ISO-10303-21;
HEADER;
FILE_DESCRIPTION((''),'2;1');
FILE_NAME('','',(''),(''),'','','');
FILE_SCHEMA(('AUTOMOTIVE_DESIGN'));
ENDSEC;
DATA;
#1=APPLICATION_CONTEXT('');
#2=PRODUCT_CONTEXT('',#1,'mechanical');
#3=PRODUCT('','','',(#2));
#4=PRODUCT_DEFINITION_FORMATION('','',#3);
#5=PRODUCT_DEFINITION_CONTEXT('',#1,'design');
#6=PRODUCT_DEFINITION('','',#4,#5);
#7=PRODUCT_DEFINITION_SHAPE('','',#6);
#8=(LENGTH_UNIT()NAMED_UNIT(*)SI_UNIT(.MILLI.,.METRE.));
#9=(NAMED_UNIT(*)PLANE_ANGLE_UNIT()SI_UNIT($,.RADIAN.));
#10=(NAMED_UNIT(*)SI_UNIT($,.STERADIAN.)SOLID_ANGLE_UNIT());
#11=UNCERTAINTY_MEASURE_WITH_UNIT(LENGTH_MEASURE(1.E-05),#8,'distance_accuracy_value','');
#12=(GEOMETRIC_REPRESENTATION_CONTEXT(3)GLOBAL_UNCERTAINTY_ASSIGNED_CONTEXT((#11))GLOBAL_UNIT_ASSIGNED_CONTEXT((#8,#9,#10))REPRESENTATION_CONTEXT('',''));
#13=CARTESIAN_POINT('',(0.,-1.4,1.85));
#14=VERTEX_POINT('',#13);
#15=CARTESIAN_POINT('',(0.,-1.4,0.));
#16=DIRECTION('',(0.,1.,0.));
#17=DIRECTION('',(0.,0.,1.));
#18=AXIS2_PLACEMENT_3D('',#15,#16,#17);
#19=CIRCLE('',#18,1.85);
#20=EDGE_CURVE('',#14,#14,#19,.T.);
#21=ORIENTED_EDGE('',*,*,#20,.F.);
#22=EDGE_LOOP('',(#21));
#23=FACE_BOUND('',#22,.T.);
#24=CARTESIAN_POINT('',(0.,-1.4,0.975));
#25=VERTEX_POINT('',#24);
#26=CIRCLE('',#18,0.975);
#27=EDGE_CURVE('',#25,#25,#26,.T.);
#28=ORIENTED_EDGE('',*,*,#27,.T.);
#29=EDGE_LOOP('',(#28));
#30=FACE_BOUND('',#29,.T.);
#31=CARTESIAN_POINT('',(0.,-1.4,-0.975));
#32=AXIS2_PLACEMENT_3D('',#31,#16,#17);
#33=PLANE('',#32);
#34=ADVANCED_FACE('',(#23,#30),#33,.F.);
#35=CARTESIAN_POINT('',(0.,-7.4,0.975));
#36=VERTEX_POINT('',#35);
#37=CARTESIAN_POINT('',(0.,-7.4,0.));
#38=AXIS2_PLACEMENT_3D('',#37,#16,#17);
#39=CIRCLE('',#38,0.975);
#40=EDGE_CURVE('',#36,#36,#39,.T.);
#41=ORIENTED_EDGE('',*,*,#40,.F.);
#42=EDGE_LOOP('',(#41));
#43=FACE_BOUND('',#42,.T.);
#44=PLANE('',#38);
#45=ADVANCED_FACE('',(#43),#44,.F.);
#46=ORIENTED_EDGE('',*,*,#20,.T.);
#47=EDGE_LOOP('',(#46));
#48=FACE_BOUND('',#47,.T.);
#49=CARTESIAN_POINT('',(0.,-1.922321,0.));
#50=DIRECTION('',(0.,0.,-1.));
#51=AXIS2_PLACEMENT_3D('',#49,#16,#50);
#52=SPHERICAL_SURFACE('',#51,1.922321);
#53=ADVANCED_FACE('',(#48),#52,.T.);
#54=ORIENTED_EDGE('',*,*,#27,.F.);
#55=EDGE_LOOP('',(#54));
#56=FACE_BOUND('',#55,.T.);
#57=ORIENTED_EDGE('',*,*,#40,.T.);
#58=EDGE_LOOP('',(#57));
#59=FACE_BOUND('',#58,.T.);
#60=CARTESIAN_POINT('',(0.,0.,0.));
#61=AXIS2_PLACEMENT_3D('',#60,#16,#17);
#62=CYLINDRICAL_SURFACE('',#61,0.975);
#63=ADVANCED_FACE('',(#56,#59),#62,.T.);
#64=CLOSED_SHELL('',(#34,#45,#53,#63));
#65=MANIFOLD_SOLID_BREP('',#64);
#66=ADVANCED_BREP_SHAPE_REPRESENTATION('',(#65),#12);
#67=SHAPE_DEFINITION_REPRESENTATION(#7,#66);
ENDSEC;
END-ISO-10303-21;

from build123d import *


with BuildPart() as part:
    # Sketch1 → Revolve2 (revolve)
    with BuildSketch(Plane(origin=(0, 0, 0), x_dir=(0, 0, -1), z_dir=(1, 0, 0))):
        with BuildLine():
            Line((0, -7.4), (0.975, -7.4))
            Line((0.975, -7.4), (0.975, -1.4))
            Line((0.975, -1.4), (1.85, -1.4))
            ThreePointArc((1.85, -1.4), (1.160010776, -0.389450046), (0, 0))
            Line((0, 0), (0, -7.4))
        make_face()
    revolve(axis=Axis((0, 0, 0), (0, -1, 0)))


solid = part.part
